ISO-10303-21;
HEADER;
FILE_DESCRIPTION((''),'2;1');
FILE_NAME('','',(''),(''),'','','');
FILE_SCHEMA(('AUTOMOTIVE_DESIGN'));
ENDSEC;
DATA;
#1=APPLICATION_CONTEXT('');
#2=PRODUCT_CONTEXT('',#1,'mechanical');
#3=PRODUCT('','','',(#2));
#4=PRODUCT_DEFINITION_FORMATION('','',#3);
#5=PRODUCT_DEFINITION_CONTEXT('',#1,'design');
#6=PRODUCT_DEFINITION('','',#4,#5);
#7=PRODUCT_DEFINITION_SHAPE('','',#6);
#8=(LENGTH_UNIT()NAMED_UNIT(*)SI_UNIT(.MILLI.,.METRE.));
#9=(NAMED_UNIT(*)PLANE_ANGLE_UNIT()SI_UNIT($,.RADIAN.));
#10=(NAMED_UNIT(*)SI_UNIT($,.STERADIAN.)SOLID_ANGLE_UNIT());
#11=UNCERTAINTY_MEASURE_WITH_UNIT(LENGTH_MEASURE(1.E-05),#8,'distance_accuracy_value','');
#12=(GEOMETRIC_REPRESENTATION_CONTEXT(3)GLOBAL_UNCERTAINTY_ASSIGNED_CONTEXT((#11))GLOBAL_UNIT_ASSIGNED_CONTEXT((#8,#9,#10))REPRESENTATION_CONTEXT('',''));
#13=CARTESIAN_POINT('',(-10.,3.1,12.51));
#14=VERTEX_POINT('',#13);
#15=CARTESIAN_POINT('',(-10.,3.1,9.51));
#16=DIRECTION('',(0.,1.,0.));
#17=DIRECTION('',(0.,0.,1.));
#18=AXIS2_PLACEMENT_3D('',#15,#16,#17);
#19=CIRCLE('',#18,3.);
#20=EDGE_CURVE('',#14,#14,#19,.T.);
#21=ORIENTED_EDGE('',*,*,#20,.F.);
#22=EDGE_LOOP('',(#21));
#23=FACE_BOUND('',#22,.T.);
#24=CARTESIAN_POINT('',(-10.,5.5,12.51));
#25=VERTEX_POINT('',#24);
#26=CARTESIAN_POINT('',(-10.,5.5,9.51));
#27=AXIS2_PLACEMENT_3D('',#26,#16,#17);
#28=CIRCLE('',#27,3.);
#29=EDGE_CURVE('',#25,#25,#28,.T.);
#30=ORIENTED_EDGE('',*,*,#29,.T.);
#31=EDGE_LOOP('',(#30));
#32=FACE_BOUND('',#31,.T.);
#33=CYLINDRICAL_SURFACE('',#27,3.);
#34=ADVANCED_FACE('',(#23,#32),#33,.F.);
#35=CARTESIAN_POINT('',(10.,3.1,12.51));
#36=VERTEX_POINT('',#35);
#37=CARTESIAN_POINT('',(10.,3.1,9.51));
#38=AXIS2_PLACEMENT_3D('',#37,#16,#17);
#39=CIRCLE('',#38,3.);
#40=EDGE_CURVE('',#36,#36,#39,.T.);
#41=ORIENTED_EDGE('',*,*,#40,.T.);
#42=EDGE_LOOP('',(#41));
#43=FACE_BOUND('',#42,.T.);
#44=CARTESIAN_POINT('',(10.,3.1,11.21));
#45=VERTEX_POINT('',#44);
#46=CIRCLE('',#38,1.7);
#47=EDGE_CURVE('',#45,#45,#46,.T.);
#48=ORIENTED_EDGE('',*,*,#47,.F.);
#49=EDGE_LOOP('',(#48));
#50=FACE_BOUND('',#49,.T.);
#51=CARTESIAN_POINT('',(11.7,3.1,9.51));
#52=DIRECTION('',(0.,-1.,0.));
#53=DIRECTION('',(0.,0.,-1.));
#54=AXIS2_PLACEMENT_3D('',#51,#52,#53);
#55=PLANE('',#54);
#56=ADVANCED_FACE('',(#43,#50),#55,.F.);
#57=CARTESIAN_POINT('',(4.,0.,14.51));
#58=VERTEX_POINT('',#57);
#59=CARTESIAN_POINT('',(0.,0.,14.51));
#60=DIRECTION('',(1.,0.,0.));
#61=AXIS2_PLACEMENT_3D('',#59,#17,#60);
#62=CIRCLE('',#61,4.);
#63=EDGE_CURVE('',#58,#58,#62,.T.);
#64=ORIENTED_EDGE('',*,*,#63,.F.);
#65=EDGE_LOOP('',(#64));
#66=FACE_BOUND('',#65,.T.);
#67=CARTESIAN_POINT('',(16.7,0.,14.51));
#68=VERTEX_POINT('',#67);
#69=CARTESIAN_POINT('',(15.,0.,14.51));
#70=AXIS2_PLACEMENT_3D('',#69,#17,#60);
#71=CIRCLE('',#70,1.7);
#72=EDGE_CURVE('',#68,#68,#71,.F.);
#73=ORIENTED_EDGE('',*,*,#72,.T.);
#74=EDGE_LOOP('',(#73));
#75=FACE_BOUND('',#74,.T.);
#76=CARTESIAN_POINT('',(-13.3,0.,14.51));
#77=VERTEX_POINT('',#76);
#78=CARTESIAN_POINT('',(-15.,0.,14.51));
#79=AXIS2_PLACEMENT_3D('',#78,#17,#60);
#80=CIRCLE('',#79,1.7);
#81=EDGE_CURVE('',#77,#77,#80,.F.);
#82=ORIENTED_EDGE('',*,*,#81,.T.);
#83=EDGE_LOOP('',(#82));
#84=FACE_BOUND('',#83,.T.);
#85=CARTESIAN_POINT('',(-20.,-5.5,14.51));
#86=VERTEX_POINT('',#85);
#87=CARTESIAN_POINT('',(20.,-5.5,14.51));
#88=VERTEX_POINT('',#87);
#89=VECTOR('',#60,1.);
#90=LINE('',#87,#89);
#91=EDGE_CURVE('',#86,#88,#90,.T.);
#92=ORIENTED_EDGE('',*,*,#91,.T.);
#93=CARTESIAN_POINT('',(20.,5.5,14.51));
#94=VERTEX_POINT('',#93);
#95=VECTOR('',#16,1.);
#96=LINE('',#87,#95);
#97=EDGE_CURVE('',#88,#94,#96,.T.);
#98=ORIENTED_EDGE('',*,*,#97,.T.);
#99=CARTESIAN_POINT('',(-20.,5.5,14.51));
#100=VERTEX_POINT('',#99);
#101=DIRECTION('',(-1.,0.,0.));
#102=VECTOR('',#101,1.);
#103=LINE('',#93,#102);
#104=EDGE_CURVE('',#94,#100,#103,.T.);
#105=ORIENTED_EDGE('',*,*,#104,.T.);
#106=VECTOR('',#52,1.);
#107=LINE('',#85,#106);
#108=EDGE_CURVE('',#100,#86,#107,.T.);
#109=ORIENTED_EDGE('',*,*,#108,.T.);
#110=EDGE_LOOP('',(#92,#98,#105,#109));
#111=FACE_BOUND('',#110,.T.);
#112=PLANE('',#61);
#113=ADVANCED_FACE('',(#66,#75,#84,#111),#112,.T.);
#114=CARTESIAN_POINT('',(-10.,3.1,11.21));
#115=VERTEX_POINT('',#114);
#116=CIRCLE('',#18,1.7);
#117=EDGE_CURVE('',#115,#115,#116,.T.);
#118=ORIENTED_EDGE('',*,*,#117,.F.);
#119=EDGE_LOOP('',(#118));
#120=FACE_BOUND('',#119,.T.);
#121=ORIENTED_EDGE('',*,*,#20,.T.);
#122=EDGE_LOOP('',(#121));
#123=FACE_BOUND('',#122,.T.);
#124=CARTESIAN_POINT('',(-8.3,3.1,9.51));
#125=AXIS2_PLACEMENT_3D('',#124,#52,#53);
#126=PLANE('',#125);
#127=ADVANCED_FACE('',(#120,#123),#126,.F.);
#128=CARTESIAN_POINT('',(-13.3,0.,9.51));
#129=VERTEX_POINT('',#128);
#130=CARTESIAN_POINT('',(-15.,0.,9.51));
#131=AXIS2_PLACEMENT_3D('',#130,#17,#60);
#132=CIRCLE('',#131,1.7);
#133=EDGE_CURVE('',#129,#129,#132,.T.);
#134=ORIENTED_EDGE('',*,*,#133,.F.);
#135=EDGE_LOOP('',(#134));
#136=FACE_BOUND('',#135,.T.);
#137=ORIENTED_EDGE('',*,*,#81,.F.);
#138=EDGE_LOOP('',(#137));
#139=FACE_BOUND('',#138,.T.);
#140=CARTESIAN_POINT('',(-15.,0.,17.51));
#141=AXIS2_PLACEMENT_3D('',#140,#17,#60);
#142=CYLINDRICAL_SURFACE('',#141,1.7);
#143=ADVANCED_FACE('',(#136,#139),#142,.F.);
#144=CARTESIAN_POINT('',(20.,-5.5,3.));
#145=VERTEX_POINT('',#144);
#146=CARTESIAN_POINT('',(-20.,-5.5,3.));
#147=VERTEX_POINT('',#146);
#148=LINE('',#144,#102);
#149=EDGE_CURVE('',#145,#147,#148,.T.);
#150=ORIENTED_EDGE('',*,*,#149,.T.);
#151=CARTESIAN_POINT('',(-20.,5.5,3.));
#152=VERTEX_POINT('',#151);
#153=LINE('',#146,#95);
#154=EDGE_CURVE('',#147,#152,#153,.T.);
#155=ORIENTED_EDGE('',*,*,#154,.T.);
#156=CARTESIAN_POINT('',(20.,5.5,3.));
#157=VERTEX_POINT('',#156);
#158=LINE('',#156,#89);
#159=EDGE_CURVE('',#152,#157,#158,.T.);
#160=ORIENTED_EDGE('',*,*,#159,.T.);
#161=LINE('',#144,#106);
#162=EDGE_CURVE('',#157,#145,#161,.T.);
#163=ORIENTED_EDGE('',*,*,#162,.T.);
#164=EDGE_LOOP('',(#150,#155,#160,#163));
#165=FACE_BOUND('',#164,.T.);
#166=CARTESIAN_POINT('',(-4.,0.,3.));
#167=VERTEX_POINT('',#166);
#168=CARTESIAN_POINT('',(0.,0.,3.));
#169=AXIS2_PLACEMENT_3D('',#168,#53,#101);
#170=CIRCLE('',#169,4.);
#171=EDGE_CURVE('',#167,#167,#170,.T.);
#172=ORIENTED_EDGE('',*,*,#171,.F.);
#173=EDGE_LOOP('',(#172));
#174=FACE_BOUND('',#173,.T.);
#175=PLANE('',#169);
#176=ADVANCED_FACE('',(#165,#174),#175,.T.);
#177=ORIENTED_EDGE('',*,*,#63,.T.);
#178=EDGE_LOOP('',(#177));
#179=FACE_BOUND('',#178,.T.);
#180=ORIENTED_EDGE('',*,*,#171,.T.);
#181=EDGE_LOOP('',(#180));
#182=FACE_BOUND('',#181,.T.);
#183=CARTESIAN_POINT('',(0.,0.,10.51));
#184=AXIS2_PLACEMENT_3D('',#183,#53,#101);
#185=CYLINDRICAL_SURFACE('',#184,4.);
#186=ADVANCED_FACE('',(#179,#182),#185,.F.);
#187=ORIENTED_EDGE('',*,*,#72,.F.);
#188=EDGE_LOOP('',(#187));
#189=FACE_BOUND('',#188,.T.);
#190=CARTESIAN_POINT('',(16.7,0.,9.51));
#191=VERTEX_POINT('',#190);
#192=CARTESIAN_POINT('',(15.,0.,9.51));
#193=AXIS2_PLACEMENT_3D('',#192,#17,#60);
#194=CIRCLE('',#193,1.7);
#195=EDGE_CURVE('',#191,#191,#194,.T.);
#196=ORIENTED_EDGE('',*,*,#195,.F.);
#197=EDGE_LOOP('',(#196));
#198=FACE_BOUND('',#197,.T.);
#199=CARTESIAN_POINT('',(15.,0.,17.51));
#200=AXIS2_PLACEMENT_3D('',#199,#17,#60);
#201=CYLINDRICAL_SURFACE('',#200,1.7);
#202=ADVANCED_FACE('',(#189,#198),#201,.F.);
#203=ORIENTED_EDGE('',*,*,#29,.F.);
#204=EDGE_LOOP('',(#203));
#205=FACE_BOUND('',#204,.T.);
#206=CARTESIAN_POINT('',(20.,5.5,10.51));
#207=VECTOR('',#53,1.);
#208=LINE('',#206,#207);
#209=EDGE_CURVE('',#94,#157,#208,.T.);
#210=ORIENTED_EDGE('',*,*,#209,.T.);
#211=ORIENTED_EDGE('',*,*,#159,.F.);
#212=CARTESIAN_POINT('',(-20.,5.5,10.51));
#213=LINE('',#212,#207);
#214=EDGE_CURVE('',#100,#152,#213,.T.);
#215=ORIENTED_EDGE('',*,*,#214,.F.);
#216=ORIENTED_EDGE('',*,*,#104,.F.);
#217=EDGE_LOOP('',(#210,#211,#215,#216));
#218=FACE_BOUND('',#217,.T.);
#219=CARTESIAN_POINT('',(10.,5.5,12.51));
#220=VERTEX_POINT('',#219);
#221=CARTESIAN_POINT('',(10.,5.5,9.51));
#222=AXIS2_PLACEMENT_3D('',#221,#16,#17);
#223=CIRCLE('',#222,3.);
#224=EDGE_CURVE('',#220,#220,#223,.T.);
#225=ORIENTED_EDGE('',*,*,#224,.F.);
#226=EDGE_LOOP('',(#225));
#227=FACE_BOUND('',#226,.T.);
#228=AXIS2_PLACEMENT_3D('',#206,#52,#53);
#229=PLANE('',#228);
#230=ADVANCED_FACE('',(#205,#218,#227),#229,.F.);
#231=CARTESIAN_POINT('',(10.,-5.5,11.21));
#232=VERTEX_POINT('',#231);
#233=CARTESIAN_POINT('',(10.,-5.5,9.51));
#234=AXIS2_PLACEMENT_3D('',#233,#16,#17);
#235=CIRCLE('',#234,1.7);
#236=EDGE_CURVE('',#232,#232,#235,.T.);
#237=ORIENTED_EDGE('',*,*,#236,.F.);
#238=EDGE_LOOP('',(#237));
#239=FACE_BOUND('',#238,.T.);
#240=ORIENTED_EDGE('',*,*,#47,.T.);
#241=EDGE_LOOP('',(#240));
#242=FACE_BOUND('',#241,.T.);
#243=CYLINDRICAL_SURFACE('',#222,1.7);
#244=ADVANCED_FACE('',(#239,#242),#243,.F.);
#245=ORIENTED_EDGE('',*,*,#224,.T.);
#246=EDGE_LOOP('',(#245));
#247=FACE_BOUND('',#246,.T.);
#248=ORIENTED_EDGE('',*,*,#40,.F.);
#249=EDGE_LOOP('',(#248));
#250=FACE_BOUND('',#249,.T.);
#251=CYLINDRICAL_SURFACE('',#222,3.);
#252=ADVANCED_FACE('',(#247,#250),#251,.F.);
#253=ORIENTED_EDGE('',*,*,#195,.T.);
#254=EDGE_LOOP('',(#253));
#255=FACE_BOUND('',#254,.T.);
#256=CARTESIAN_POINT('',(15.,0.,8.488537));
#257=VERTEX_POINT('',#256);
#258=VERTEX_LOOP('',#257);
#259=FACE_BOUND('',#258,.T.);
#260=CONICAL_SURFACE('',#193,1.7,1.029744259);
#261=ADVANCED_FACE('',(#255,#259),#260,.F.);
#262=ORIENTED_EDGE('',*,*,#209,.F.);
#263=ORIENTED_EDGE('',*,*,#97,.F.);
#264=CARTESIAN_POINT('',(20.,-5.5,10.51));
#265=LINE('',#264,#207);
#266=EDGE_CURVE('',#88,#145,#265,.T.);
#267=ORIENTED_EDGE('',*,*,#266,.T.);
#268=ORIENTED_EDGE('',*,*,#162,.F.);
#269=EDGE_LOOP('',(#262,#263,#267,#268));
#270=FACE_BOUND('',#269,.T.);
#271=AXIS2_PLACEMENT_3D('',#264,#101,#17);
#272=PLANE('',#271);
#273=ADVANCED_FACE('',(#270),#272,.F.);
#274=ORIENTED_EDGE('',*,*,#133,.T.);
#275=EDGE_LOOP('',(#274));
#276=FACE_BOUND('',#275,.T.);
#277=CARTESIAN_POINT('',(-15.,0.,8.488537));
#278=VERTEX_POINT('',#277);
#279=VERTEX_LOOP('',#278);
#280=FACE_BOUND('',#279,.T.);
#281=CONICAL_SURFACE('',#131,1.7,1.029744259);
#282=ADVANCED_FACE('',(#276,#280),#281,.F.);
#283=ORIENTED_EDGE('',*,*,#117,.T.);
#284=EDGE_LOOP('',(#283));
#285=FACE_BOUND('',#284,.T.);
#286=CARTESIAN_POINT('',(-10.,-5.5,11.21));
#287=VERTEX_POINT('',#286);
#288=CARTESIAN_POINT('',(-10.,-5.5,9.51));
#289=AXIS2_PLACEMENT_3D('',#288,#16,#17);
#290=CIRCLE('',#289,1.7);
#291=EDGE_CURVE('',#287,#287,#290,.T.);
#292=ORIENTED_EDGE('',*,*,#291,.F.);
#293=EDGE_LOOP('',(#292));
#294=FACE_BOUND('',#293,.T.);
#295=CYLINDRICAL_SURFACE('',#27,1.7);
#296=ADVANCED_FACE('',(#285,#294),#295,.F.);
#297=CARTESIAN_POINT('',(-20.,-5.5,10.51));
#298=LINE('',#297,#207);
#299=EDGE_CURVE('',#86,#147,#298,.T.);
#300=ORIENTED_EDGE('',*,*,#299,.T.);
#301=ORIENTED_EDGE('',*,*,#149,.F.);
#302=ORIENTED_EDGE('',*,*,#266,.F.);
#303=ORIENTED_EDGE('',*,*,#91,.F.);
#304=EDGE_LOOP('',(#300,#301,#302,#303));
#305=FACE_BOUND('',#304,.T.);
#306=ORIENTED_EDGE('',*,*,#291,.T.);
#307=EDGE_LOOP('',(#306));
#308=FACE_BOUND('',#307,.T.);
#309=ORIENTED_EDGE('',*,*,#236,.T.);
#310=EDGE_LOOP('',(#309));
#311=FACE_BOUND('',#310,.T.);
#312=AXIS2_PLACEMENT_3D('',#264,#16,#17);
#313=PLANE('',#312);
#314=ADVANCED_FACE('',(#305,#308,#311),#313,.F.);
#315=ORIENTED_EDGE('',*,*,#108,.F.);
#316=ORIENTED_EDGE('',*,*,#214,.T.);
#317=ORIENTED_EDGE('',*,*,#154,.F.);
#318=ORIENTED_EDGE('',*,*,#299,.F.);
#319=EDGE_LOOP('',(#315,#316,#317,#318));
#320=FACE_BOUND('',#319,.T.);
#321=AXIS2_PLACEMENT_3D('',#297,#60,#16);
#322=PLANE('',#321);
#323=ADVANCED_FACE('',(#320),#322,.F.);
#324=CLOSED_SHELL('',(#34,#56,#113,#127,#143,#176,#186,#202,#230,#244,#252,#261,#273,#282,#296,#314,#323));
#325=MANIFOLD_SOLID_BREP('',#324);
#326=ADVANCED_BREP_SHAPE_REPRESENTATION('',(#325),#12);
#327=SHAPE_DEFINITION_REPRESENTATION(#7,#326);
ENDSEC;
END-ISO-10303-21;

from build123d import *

# Parameters (mm, degrees)
ESQUISSE1_W                                        = 40
ESQUISSE1_H                                        = 11
ESQUISSE1_R                                        = 4
BOSS_EXTRU_1_DEPTH                                 = 10.51
ESQUISSE16_W                                       = 40
ESQUISSE16_H                                       = 11
BOSS_EXTRU_2_DEPTH                                 = 7
D_GAGEMENT_M32_D                                   = 2.5
CHAMBRAGE_POUR_VIS_T_TE_RONDE_BOMB_E_M_D           = 3.4
CHAMBRAGE_POUR_VIS_T_TE_RONDE_BOMB_E_M_CBORE_D     = 6
CHAMBRAGE_POUR_VIS_T_TE_RONDE_BOMB_E_M_CBORE_DEPTH = 2.4
FRAISAGE_POUR_VIS_T_TE_FRAIS_E_M31_D               = 3.4
FRAISAGE_POUR_VIS_T_TE_FRAIS_E_M31_DEPTH           = 8
FRAISAGE_POUR_VIS_T_TE_FRAIS_E_M31_CSINK_D         = 6.3
FRAISAGE_POUR_VIS_T_TE_FRAIS_E_M31_CSINK_ANGLE     = 90
FRAISAGE_POUR_VIS_T_TE_FRAIS_E_M31_TIP             = 1.021463052
ESQUISSE33_W                                       = 100.854971174
ESQUISSE33_H                                       = 90.146734576
ENL_V_MAT_EXTRU_4_DEPTH                            = 3
ESQUISSE34_R                                       = 4
ENL_V_MAT_EXTRU_5_DEPTH                            = 10
ESQUISSE35_W                                       = 78.795727906
ESQUISSE35_H                                       = 40.956962542
ENL_V_MAT_EXTRU_6_DEPTH                            = 3


with BuildPart() as part:
    # Esquisse1 → Boss.-Extru.1 (new body)
    with BuildSketch(Plane.XY):
        Rectangle(ESQUISSE1_W, ESQUISSE1_H)
        Circle(ESQUISSE1_R, mode=Mode.SUBTRACT)
    extrude(amount=BOSS_EXTRU_1_DEPTH)

    # Esquisse16 → Boss.-Extru.2 (add)
    with BuildSketch(Plane.XY.offset(10.51)):
        Rectangle(ESQUISSE16_W, ESQUISSE16_H)
    extrude(amount=BOSS_EXTRU_2_DEPTH)

    # Dégagement M32 (through all)
    with Locations(Plane.XY.offset(17.51)):
        with Locations((0, 0)):
            Hole(D_GAGEMENT_M32_D / 2)

    # Chambrage pour vis _ t_te ronde bomb_e M (through all)
    with Locations(Plane(origin=(0, 5.5, 0), x_dir=(1, 0, 0), z_dir=(0, 1, 0))):
        with Locations((10, -9.51), (-10, -9.51)):
            CounterBoreHole(CHAMBRAGE_POUR_VIS_T_TE_RONDE_BOMB_E_M_D / 2, CHAMBRAGE_POUR_VIS_T_TE_RONDE_BOMB_E_M_CBORE_D / 2, CHAMBRAGE_POUR_VIS_T_TE_RONDE_BOMB_E_M_CBORE_DEPTH)

    # Fraisage pour vis à tête fraisée M31
    with Locations(Plane.XY.offset(17.51)):
        with Locations((-15, 0), (15, 0)):
            CounterSinkHole(FRAISAGE_POUR_VIS_T_TE_FRAIS_E_M31_D / 2, FRAISAGE_POUR_VIS_T_TE_FRAIS_E_M31_CSINK_D / 2, depth=FRAISAGE_POUR_VIS_T_TE_FRAIS_E_M31_DEPTH, counter_sink_angle=FRAISAGE_POUR_VIS_T_TE_FRAIS_E_M31_CSINK_ANGLE)
            with Locations((0, 0, -(FRAISAGE_POUR_VIS_T_TE_FRAIS_E_M31_DEPTH + FRAISAGE_POUR_VIS_T_TE_FRAIS_E_M31_TIP / 2))):  # 118° drill point
                Cone(0, FRAISAGE_POUR_VIS_T_TE_FRAIS_E_M31_D / 2, FRAISAGE_POUR_VIS_T_TE_FRAIS_E_M31_TIP, mode=Mode.SUBTRACT)

    # Esquisse33 → Enlèv. mat.-Extru.4 (cut)
    with BuildSketch(Plane.XY.offset(17.51)):
        Rectangle(ESQUISSE33_W, ESQUISSE33_H)
    extrude(amount=-ENL_V_MAT_EXTRU_4_DEPTH, mode=Mode.SUBTRACT)

    # Esquisse34 → Enlèv. mat.-Extru.5 (cut)
    with BuildSketch(Plane.XY.offset(14.51)):
        Circle(ESQUISSE34_R)
    extrude(amount=-ENL_V_MAT_EXTRU_5_DEPTH, mode=Mode.SUBTRACT)

    # Esquisse35 → Enlèv. mat.-Extru.6 (cut)
    with BuildSketch(Plane(origin=(0, 0, 0), x_dir=(-1, 0, 0), z_dir=(0, 0, -1))):
        Rectangle(ESQUISSE35_W, ESQUISSE35_H)
    extrude(amount=-ENL_V_MAT_EXTRU_6_DEPTH, mode=Mode.SUBTRACT)


solid = part.part
